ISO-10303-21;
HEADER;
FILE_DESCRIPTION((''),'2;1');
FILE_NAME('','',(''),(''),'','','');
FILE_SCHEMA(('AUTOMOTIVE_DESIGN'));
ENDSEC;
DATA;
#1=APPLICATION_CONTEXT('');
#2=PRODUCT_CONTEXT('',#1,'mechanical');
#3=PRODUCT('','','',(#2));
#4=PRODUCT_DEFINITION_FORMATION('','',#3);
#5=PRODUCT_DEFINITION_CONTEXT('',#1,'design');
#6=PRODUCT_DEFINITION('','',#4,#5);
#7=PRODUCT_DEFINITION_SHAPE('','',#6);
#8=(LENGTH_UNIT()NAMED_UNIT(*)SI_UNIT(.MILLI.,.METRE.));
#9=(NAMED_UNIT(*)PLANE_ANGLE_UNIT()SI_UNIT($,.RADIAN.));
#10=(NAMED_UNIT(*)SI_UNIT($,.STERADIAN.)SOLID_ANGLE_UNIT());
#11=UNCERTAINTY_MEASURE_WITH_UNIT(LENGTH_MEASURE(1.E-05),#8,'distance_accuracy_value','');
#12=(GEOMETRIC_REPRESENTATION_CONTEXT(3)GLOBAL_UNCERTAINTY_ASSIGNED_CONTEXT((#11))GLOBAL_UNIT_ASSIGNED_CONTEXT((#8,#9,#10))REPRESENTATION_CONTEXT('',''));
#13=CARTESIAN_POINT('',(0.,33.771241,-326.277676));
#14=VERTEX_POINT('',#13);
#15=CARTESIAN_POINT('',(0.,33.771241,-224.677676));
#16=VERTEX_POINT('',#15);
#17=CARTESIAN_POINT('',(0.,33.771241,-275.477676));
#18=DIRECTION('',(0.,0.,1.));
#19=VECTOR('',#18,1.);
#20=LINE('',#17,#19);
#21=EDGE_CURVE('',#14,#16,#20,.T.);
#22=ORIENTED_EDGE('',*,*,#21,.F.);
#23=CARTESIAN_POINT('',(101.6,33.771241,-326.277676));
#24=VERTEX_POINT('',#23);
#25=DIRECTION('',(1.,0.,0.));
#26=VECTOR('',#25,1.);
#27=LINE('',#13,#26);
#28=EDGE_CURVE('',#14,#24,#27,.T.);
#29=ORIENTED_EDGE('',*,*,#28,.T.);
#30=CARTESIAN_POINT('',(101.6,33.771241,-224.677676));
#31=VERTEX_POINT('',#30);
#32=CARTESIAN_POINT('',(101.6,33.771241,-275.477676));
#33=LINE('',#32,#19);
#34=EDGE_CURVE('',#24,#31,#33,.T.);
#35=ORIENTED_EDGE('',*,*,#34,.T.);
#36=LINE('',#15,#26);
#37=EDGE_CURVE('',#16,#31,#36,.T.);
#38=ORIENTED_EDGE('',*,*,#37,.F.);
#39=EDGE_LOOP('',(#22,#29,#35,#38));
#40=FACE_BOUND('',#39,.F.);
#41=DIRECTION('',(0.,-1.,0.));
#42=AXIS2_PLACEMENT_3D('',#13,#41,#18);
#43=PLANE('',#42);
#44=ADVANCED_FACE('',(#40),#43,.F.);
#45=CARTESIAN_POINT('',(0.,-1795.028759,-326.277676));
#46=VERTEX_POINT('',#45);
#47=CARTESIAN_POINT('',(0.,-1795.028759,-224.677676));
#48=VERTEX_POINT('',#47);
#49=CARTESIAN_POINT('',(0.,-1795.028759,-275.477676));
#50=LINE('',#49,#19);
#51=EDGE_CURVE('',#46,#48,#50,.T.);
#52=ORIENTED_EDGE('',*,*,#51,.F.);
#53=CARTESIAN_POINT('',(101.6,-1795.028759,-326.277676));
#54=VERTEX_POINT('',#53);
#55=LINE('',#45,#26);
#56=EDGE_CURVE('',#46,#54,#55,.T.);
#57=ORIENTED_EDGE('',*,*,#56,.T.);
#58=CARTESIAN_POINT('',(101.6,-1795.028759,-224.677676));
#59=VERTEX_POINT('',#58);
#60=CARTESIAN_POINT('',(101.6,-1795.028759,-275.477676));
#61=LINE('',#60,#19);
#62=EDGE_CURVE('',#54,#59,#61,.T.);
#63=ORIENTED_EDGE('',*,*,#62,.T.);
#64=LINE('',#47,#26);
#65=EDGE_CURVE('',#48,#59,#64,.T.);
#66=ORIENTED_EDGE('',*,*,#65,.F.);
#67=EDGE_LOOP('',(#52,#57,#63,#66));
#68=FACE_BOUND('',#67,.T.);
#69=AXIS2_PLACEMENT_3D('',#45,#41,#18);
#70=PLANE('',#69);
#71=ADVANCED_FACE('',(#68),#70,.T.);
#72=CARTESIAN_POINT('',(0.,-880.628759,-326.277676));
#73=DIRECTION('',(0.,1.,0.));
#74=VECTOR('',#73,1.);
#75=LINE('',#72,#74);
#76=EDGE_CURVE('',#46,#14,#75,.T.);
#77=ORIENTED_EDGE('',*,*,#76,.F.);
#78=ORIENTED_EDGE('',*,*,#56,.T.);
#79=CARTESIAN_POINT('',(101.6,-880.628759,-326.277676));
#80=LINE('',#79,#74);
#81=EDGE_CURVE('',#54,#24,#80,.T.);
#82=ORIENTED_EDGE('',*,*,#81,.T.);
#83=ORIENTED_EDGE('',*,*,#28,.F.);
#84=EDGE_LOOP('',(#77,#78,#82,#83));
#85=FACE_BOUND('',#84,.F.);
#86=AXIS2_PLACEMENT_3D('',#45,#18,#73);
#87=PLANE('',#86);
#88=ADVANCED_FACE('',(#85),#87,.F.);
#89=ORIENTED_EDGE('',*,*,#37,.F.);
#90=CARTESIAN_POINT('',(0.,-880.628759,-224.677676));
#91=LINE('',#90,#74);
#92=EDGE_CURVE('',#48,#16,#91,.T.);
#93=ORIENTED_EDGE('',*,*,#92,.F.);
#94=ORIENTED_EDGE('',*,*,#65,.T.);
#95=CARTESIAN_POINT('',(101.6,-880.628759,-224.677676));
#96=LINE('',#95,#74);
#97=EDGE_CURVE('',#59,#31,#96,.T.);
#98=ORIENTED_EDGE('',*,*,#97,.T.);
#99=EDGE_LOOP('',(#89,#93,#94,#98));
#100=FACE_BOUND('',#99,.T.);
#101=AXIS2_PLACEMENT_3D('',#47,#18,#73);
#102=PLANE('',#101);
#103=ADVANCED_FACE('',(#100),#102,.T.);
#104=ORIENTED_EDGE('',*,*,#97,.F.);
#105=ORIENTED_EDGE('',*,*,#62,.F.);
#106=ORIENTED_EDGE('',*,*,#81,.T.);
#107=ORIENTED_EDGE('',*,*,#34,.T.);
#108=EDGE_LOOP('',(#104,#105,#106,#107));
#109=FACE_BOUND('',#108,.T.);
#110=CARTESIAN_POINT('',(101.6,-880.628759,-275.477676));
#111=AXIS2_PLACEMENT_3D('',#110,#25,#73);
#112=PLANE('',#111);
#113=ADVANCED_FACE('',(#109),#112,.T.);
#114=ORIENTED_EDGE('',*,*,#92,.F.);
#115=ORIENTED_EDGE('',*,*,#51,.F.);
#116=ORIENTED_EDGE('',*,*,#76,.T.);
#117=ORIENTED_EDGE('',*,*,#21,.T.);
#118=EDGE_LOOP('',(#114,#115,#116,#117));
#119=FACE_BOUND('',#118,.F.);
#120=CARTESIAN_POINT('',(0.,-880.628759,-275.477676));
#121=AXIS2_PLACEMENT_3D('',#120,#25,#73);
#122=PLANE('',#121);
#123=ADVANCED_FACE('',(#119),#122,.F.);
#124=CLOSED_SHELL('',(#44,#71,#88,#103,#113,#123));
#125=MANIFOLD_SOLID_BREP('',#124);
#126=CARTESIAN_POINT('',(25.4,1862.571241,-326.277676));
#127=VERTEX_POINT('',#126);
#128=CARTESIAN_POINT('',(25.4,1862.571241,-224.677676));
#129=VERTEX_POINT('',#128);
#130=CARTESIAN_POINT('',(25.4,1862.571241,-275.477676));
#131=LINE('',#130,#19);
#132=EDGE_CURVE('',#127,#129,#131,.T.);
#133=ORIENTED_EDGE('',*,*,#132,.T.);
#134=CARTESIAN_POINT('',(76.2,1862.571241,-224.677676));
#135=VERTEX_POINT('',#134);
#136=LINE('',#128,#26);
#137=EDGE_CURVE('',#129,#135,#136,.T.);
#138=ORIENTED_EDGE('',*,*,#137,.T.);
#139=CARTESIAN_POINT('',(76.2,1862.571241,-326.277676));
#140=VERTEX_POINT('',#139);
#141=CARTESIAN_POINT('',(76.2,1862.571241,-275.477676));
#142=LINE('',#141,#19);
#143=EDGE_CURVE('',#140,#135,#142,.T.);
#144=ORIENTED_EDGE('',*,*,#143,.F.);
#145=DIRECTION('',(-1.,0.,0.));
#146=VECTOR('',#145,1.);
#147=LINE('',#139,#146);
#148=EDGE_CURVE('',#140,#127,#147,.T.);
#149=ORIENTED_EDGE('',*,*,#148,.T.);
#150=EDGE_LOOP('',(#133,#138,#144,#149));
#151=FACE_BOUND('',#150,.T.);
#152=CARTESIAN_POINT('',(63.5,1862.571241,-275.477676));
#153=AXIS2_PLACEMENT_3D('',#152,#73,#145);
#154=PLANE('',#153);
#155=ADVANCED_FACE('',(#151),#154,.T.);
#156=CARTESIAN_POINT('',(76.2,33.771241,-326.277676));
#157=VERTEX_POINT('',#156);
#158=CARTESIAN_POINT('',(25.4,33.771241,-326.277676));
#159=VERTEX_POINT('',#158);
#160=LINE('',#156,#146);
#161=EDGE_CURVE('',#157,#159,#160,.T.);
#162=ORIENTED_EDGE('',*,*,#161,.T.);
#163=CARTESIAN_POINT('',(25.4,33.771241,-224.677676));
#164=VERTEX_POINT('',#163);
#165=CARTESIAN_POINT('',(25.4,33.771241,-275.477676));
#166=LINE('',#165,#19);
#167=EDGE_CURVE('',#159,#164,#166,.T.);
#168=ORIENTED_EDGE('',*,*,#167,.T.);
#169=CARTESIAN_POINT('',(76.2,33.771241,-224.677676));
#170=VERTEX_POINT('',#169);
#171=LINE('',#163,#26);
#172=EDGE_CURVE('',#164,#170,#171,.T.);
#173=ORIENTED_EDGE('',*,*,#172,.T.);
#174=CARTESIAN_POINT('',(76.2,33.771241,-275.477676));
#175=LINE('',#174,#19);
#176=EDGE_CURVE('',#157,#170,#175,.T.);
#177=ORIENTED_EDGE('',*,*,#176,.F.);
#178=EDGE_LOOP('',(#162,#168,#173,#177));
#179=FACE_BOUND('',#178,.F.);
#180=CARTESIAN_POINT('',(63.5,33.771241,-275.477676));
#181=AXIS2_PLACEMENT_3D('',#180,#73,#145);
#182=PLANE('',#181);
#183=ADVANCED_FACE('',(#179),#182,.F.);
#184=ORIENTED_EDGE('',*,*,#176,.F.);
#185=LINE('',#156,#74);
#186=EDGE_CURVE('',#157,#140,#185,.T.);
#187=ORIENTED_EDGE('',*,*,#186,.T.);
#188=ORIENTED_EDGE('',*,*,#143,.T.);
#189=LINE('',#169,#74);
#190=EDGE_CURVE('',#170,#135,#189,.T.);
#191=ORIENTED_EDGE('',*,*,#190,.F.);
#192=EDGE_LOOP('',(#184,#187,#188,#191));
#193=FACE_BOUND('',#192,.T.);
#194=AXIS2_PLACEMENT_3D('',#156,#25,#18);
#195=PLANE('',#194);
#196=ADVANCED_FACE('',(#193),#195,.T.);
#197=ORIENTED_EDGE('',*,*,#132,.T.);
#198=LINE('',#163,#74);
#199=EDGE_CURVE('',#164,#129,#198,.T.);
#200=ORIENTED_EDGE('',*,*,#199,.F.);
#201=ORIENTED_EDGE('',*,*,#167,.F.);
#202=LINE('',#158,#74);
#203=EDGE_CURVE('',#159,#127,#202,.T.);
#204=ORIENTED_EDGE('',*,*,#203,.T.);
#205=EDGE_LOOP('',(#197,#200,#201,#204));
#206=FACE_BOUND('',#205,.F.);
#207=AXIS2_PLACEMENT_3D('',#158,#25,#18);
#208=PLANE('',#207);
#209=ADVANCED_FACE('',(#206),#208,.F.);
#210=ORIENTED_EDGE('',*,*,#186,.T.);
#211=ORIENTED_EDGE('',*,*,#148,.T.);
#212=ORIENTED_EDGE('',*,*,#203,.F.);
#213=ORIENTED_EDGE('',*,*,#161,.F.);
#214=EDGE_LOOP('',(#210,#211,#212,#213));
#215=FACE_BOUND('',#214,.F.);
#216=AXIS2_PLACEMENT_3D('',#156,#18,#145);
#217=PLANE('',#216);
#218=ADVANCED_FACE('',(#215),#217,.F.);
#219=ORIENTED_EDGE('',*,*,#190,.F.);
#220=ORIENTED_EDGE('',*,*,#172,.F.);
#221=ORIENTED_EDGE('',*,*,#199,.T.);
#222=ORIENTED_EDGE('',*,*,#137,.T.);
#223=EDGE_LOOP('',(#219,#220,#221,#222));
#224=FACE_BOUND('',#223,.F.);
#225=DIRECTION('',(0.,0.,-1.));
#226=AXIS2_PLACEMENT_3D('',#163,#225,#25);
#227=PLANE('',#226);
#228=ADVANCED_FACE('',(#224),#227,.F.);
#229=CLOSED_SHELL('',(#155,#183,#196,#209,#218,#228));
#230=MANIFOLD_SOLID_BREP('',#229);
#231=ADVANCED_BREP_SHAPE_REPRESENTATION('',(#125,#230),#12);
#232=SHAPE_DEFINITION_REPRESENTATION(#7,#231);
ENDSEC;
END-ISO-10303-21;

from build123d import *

# Parameters (mm, degrees)
F0_W     = 1828.8
F0_H     = 101.6
F1_DEPTH = 101.6
F2_W     = 25.4
F2_H     = 101.6
F3_DEPTH = 1828.8


with BuildPart() as f1:
    # F0 (on Right) → F1 (new body)
    with BuildSketch(Plane.YZ):
        with Locations((-880.628759, -275.477676)):
            Rectangle(F0_W, F0_H)
    extrude(amount=F1_DEPTH)


with BuildPart() as f3:
    # F2 (on face) → F3 (new body)
    with BuildSketch(Plane(origin=(0, 33.771241, 0), x_dir=(-1, 0, 0), z_dir=(0, 1, 0))):
        with Locations((-63.5, -275.477676)):
            Rectangle(F2_W, F2_H)
        with Locations((-38.1, -275.477676)):
            Rectangle(F2_W, F2_H)
    extrude(amount=F3_DEPTH)


solid = Compound([f1.part, f3.part])
